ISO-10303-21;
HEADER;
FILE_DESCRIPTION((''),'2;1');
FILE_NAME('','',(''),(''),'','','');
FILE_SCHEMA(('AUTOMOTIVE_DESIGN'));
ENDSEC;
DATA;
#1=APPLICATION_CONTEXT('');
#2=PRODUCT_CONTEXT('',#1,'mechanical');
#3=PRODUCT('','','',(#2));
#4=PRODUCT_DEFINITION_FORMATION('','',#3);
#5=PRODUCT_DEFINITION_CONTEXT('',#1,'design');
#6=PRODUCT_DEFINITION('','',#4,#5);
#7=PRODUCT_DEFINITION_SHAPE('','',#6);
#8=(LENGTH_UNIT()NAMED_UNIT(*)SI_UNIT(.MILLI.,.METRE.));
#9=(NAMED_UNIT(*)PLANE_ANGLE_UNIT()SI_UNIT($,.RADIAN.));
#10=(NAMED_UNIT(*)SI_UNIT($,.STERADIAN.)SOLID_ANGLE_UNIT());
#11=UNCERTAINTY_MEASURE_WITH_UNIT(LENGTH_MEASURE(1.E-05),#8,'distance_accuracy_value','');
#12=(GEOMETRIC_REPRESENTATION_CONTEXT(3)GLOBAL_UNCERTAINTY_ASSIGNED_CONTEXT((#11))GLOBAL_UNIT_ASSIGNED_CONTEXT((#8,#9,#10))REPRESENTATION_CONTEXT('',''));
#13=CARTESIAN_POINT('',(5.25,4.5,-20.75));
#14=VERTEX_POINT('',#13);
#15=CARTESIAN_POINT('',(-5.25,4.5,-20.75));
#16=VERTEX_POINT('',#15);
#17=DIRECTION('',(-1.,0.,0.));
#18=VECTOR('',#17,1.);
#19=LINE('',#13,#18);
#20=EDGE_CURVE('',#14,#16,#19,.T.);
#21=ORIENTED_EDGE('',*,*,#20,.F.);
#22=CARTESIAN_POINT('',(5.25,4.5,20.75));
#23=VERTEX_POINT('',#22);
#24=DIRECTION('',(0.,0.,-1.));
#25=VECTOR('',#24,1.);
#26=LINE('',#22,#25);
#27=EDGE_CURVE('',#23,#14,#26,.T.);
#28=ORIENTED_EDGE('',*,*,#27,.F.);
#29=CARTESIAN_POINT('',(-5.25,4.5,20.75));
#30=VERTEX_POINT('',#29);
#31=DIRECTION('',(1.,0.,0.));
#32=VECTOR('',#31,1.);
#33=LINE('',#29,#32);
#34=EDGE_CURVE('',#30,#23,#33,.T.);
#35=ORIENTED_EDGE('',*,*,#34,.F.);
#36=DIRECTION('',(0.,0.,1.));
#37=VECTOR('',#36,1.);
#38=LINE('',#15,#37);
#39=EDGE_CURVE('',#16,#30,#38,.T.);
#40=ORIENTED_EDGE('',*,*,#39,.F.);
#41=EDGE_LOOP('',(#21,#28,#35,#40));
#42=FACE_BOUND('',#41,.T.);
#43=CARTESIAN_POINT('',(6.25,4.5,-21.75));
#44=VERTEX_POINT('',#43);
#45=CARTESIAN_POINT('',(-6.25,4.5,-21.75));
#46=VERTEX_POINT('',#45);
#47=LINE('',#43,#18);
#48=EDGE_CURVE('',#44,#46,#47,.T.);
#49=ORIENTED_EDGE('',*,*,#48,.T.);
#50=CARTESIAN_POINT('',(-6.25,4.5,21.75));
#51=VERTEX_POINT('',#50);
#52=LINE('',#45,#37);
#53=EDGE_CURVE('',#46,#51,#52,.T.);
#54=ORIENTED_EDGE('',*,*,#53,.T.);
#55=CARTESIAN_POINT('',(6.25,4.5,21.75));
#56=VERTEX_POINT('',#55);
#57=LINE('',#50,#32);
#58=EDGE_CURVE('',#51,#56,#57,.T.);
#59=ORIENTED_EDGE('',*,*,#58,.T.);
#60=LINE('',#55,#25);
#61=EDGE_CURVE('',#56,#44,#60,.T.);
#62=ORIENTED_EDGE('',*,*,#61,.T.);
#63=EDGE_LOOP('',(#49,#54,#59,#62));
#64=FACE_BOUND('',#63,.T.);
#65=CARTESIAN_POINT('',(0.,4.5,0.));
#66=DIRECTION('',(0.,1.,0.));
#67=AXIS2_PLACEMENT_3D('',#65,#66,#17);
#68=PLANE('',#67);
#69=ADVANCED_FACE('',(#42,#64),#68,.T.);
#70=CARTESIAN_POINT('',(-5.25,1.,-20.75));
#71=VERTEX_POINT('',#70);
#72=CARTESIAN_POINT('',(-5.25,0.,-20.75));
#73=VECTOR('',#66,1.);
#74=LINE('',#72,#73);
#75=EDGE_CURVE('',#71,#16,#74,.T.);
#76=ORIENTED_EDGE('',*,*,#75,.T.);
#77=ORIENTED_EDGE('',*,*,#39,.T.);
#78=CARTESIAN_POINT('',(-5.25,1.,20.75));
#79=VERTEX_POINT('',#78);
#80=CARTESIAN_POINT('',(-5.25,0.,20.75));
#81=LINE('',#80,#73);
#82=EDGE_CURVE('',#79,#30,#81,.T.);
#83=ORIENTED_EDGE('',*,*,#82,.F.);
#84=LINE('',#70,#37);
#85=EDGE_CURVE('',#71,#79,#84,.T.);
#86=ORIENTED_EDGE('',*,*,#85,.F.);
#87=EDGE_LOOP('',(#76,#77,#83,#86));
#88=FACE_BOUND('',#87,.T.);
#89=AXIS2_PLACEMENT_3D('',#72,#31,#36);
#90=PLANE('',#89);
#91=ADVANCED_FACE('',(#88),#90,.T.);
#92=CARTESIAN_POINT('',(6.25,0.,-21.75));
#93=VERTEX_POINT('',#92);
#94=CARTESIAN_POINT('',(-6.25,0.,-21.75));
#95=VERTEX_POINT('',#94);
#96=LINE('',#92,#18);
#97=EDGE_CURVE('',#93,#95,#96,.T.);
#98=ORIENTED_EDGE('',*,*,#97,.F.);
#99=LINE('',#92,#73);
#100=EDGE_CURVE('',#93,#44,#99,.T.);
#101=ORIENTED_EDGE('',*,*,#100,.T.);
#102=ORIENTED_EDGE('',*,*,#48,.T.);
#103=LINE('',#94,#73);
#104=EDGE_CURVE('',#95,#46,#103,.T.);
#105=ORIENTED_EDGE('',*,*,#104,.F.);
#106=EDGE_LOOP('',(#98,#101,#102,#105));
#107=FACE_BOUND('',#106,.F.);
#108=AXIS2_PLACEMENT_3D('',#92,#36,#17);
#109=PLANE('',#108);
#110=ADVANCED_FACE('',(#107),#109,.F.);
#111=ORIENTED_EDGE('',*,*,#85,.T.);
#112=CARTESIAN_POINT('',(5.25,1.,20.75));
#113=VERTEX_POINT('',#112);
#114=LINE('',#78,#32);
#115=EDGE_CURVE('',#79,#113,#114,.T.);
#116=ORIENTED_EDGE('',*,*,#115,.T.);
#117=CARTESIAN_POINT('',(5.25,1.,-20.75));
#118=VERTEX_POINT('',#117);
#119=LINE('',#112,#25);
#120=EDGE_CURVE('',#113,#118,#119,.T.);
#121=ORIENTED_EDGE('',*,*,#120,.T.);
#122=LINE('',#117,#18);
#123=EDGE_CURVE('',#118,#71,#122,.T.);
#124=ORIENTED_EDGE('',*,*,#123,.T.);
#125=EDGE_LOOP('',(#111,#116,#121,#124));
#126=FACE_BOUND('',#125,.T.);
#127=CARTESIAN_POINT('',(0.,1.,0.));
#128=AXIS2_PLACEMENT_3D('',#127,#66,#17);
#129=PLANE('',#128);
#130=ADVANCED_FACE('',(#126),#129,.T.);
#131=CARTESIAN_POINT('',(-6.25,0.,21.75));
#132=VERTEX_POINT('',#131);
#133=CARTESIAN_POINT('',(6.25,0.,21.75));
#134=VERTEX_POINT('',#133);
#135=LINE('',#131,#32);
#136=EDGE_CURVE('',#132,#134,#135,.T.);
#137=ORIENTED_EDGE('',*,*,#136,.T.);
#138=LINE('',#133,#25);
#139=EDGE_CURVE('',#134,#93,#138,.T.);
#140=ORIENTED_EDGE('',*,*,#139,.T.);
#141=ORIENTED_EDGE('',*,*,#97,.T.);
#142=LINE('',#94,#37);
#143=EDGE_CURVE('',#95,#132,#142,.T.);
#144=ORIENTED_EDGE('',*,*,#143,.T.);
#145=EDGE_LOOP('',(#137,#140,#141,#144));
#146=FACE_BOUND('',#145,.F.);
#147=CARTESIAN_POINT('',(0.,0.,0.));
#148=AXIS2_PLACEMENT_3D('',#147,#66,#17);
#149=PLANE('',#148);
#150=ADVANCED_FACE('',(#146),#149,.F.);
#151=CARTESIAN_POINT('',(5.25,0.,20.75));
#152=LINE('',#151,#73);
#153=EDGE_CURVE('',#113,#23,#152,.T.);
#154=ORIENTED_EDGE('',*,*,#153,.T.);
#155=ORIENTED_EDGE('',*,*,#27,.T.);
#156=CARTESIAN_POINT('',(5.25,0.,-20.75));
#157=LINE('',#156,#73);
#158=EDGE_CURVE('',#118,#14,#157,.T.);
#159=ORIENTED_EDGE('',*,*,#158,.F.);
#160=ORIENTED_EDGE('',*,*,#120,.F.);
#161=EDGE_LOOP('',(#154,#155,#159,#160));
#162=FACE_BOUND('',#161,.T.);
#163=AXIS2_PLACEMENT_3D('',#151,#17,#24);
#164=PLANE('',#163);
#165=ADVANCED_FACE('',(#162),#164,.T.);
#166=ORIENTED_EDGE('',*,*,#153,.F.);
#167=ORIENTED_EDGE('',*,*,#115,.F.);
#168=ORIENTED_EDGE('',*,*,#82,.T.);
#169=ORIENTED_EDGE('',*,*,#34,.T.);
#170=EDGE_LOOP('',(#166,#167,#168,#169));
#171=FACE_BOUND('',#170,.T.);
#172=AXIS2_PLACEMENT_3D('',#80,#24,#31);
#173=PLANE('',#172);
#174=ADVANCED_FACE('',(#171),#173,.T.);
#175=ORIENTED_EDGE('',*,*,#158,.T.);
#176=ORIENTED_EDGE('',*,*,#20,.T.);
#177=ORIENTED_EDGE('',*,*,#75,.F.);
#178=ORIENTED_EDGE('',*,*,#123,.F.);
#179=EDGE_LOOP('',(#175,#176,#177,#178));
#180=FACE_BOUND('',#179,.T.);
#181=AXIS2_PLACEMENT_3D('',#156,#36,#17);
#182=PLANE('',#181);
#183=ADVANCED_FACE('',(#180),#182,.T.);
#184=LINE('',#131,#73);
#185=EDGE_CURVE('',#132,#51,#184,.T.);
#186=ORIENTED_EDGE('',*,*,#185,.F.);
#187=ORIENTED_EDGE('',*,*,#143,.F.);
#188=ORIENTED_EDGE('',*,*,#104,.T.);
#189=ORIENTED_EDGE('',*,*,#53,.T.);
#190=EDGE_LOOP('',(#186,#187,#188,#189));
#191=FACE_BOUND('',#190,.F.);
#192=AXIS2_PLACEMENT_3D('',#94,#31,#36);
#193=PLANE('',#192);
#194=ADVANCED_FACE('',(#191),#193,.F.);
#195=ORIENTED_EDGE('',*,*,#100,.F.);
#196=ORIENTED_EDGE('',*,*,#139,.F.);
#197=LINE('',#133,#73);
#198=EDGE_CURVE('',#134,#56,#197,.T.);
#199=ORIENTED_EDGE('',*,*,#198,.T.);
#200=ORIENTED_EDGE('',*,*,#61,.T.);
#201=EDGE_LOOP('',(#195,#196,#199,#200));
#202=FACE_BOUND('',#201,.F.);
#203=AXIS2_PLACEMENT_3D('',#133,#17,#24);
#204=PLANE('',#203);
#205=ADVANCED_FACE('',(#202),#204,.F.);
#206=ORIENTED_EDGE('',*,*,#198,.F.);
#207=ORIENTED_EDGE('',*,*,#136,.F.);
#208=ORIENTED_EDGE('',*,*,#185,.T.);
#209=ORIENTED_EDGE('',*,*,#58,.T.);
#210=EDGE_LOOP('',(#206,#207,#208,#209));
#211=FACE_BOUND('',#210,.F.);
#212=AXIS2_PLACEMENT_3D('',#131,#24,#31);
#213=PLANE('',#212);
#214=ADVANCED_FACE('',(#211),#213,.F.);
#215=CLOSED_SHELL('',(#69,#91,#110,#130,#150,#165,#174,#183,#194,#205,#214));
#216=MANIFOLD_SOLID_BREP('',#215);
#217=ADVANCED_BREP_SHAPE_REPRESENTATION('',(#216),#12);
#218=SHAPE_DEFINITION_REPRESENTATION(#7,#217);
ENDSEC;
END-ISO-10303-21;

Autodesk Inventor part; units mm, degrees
ref_plane "YZ Plane" through (0, 0, 0) normal (1, 0, 0) x (0, 1, 0)
ref_plane "XZ Plane" through (0, 0, 0) normal (0, 1, 0) x (-1, 0, 0)
ref_plane "XY Plane" through (0, 0, 0) normal (0, 0, 1) x (1, 0, 0)
sketch "Sketch1" plane through (0, 0, 0) normal (0, 1, 0) x (-1, 0, 0)
  line L0 (-5.25, -20.75) -> (5.25, -20.75)
  line L1 (5.25, -20.75) -> (5.25, 20.75)
  line L2 (5.25, 20.75) -> (-5.25, 20.75)
  line L3 (-5.25, 20.75) -> (-5.25, -20.75)
  line L4 (6.25, 21.75) -> (-6.25, 21.75)
  line L5 (-6.25, 21.75) -> (-6.25, -21.75)
  line L6 (-6.25, -21.75) -> (6.25, -21.75)
  line L7 (6.25, -21.75) -> (6.25, 21.75)
  point P0 (0, 0)
extrude "Extrusion1" add sketch "Sketch1" along normal blind 4.5
extrude "Extrusion2" add sketch "Sketch1" along normal blind 1 contours L3 L2 L1 L0
properties part number "if_case_bottom"
